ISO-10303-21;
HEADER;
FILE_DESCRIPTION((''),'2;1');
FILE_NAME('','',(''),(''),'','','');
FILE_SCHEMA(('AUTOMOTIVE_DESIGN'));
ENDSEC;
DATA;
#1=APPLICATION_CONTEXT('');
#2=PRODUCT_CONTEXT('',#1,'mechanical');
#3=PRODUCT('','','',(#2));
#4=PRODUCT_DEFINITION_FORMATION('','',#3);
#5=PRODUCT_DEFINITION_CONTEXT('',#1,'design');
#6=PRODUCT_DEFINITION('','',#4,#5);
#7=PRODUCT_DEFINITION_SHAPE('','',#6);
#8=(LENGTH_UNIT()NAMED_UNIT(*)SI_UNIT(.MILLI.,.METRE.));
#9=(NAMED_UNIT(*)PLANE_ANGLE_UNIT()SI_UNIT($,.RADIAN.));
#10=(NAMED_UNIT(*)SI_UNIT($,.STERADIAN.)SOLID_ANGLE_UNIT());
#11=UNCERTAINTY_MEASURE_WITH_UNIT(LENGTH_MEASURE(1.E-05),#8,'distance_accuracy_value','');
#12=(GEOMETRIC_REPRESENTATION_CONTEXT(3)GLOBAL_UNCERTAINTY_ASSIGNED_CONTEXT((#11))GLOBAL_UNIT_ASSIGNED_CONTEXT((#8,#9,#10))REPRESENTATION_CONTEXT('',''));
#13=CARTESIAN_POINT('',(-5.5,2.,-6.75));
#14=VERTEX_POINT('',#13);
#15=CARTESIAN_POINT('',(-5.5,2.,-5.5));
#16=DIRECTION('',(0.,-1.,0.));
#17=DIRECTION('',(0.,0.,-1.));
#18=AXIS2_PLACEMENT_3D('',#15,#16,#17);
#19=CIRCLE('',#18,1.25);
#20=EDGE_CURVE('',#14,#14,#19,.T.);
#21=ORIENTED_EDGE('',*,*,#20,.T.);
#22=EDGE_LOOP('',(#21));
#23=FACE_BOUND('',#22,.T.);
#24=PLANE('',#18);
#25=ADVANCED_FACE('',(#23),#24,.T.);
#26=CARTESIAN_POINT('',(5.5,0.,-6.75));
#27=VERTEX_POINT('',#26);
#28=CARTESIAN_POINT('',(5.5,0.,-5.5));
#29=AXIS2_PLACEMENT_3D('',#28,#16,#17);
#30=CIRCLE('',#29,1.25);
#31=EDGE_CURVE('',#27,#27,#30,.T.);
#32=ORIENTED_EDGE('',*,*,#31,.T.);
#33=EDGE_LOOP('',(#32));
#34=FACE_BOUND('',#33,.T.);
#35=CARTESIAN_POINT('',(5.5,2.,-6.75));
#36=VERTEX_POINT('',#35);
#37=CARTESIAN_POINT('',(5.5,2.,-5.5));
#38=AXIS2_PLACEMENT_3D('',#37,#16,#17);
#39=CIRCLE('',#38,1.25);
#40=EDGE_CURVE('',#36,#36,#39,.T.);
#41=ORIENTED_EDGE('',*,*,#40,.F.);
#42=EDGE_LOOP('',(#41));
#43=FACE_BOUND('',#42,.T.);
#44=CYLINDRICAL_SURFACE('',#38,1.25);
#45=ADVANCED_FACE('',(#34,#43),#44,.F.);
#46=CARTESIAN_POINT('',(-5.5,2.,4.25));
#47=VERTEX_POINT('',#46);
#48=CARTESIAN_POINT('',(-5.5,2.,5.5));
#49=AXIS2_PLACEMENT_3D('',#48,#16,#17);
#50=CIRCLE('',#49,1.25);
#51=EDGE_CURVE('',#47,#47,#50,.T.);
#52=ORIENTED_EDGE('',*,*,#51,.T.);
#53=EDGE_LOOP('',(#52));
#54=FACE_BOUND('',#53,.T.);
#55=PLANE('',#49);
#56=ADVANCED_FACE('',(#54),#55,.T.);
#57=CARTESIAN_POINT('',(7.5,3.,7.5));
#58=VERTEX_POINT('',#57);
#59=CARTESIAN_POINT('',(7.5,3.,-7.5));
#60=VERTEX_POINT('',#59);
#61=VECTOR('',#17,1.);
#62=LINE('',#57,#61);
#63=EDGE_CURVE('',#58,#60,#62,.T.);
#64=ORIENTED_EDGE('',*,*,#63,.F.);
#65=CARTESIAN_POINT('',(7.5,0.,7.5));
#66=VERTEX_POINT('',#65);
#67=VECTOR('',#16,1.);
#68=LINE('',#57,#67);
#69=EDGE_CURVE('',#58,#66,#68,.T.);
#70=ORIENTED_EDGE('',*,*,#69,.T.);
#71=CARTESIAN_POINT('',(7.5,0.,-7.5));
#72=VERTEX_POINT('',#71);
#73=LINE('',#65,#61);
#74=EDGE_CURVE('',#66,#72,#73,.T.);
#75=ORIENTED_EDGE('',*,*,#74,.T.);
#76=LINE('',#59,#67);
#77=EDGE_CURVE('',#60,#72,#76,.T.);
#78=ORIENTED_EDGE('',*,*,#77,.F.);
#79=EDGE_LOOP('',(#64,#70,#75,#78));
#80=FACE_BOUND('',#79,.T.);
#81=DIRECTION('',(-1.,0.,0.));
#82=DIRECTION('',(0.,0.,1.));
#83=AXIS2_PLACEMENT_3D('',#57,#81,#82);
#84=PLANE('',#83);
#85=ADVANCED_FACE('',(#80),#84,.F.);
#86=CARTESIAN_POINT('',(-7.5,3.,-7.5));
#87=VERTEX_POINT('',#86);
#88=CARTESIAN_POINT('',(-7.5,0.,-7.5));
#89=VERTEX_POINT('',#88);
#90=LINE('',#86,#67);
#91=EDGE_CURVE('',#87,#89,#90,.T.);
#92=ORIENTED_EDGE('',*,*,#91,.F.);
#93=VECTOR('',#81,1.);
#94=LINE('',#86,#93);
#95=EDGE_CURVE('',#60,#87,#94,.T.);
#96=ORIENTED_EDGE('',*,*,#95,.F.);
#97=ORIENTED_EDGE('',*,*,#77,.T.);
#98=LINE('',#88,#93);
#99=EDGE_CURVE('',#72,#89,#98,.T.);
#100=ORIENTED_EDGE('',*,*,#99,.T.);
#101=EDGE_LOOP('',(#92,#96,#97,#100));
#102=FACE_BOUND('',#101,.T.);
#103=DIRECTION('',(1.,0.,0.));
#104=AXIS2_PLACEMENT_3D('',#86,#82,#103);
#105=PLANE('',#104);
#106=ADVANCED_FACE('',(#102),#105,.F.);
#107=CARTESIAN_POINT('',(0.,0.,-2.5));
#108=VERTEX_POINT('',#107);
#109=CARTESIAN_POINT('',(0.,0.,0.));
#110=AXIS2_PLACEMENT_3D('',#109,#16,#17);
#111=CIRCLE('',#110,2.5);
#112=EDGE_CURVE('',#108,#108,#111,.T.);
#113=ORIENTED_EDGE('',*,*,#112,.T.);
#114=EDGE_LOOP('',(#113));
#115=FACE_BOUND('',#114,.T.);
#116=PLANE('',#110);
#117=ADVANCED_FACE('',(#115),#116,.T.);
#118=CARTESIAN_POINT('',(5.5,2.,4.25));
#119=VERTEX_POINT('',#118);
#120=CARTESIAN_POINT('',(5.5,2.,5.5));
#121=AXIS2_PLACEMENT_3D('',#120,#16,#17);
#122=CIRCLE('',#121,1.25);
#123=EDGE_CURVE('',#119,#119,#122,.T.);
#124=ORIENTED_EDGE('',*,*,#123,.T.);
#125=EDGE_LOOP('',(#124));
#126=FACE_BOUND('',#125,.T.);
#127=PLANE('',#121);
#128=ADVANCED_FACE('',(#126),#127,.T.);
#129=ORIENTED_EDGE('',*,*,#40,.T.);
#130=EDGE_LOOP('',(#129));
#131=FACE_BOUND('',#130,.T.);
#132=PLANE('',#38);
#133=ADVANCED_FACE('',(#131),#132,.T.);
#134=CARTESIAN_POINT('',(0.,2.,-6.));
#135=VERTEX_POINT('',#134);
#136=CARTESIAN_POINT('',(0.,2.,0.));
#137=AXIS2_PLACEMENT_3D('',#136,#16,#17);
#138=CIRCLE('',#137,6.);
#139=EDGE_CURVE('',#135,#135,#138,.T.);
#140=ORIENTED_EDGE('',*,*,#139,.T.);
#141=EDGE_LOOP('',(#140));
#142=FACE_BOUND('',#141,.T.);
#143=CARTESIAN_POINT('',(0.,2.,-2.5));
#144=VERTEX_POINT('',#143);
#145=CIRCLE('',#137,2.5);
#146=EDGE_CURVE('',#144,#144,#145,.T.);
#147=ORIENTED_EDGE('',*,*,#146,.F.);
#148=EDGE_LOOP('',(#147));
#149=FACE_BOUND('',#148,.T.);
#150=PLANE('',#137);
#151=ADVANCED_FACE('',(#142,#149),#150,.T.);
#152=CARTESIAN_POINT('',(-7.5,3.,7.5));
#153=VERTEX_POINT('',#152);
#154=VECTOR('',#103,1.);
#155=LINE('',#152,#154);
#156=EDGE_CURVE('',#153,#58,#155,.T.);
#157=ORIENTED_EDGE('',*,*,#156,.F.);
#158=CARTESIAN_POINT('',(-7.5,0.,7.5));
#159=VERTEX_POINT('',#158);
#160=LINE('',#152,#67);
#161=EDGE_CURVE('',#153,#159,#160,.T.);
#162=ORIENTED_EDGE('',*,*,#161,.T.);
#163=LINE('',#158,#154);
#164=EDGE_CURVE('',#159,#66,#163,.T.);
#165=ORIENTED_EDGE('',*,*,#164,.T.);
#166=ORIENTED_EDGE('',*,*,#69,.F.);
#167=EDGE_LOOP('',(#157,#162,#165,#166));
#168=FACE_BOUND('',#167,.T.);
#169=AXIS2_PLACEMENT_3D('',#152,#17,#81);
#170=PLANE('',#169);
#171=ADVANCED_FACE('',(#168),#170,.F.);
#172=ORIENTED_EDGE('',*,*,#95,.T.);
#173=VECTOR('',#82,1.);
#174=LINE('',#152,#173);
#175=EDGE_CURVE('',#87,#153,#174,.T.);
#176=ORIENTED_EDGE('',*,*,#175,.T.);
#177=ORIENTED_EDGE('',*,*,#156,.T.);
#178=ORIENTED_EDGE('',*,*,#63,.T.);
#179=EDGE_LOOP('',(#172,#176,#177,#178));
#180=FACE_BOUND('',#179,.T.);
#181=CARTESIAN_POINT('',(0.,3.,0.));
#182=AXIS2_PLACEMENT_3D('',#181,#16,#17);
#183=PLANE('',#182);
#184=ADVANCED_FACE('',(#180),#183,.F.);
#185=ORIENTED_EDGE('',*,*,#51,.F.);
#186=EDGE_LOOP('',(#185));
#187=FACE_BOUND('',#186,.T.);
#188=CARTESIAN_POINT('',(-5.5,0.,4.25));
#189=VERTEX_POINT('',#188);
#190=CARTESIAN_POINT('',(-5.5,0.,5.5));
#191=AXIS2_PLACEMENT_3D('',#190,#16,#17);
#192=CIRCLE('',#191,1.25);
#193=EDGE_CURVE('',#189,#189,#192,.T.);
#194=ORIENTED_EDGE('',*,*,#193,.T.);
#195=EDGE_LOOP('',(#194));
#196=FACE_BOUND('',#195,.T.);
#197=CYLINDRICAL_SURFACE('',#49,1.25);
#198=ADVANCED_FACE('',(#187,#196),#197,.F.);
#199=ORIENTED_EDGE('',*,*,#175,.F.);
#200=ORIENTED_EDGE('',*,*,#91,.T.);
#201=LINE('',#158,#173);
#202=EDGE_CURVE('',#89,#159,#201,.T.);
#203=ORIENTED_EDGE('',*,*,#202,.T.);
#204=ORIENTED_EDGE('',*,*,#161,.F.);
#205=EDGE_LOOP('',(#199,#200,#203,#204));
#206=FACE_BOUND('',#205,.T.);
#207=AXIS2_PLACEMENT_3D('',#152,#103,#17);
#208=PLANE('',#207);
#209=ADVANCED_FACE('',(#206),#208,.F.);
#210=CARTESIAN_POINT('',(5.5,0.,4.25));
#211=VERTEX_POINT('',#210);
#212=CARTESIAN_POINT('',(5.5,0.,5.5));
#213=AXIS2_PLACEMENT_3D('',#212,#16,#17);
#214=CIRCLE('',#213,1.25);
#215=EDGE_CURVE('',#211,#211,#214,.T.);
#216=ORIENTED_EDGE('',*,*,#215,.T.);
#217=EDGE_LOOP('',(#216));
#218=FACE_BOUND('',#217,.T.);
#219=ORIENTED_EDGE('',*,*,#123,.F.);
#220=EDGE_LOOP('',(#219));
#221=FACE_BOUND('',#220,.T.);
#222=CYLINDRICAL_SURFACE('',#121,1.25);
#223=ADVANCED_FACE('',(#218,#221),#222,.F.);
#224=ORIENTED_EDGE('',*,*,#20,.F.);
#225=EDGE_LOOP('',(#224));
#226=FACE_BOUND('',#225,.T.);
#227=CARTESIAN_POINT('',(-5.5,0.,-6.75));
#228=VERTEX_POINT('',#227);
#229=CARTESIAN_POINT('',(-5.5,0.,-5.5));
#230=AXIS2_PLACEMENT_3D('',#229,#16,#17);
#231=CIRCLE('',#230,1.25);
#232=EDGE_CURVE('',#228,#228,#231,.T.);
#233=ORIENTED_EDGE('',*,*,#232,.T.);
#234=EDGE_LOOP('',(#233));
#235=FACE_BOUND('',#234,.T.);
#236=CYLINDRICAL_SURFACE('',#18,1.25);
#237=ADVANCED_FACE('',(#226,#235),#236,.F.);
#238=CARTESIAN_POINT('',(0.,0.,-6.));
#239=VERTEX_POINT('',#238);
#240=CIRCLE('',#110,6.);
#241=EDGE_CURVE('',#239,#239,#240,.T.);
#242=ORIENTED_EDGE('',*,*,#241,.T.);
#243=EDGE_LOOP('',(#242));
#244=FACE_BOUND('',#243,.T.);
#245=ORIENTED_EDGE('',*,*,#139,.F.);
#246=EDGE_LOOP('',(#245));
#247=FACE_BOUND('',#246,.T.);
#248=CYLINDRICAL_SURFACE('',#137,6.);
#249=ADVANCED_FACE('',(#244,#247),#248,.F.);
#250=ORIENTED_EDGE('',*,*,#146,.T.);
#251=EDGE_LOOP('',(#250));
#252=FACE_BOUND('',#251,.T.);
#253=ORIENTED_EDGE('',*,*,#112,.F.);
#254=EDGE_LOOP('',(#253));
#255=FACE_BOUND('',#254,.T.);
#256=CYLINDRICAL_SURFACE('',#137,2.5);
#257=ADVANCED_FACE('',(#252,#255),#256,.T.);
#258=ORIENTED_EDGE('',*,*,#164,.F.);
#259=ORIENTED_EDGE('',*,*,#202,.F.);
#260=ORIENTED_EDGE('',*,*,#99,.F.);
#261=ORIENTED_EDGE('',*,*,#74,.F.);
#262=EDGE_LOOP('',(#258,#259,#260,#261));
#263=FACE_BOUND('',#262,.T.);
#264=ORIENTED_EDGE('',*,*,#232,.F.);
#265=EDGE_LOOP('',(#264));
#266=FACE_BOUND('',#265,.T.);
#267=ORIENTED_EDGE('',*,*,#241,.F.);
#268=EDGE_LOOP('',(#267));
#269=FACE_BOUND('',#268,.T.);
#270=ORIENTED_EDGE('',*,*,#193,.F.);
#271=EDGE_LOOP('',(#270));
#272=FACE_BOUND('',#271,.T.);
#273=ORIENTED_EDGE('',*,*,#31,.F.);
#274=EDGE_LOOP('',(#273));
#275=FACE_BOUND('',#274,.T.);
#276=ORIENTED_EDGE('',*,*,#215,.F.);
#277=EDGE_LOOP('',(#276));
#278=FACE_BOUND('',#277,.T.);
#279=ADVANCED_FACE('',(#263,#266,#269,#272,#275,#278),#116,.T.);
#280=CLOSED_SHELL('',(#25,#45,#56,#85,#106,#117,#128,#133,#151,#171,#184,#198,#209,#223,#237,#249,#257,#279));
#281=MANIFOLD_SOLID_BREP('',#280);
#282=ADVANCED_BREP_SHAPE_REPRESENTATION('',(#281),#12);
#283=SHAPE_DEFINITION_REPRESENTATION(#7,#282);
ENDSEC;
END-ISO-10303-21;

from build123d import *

# Parameters (mm, degrees)
SKETCH1_W           = 15
SKETCH1_H           = 15
BOSS_EXTRUDE1_DEPTH = 3
SKETCH2_R           = 6
SKETCH2_R_2         = 2.5
CUT_EXTRUDE1_DEPTH  = 2
SKETCH3_R           = 1.25
CUT_EXTRUDE2_DEPTH  = 2


with BuildPart() as part:
    # Sketch1 → Boss-Extrude1 (new body)
    with BuildSketch(Plane(origin=(0, 0, 0), x_dir=(1, 0, 0), z_dir=(0, 1, 0))):
        Rectangle(SKETCH1_W, SKETCH1_H)
    extrude(amount=BOSS_EXTRUDE1_DEPTH)

    # Sketch2 → Cut-Extrude1 (cut)
    with BuildSketch(Plane.XZ):
        Circle(SKETCH2_R)
        Circle(SKETCH2_R_2, mode=Mode.SUBTRACT)
    extrude(amount=-CUT_EXTRUDE1_DEPTH, mode=Mode.SUBTRACT)

    # Sketch3 → Cut-Extrude2 (cut)
    with BuildSketch(Plane.XZ):
        with Locations((-5.5, 5.5)):
            Circle(SKETCH3_R)
        with Locations((5.5, 5.5)):
            Circle(SKETCH3_R)
        with Locations((5.5, -5.5)):
            Circle(SKETCH3_R)
        with Locations((-5.5, -5.5)):
            Circle(SKETCH3_R)
    extrude(amount=-CUT_EXTRUDE2_DEPTH, mode=Mode.SUBTRACT)


solid = part.part
